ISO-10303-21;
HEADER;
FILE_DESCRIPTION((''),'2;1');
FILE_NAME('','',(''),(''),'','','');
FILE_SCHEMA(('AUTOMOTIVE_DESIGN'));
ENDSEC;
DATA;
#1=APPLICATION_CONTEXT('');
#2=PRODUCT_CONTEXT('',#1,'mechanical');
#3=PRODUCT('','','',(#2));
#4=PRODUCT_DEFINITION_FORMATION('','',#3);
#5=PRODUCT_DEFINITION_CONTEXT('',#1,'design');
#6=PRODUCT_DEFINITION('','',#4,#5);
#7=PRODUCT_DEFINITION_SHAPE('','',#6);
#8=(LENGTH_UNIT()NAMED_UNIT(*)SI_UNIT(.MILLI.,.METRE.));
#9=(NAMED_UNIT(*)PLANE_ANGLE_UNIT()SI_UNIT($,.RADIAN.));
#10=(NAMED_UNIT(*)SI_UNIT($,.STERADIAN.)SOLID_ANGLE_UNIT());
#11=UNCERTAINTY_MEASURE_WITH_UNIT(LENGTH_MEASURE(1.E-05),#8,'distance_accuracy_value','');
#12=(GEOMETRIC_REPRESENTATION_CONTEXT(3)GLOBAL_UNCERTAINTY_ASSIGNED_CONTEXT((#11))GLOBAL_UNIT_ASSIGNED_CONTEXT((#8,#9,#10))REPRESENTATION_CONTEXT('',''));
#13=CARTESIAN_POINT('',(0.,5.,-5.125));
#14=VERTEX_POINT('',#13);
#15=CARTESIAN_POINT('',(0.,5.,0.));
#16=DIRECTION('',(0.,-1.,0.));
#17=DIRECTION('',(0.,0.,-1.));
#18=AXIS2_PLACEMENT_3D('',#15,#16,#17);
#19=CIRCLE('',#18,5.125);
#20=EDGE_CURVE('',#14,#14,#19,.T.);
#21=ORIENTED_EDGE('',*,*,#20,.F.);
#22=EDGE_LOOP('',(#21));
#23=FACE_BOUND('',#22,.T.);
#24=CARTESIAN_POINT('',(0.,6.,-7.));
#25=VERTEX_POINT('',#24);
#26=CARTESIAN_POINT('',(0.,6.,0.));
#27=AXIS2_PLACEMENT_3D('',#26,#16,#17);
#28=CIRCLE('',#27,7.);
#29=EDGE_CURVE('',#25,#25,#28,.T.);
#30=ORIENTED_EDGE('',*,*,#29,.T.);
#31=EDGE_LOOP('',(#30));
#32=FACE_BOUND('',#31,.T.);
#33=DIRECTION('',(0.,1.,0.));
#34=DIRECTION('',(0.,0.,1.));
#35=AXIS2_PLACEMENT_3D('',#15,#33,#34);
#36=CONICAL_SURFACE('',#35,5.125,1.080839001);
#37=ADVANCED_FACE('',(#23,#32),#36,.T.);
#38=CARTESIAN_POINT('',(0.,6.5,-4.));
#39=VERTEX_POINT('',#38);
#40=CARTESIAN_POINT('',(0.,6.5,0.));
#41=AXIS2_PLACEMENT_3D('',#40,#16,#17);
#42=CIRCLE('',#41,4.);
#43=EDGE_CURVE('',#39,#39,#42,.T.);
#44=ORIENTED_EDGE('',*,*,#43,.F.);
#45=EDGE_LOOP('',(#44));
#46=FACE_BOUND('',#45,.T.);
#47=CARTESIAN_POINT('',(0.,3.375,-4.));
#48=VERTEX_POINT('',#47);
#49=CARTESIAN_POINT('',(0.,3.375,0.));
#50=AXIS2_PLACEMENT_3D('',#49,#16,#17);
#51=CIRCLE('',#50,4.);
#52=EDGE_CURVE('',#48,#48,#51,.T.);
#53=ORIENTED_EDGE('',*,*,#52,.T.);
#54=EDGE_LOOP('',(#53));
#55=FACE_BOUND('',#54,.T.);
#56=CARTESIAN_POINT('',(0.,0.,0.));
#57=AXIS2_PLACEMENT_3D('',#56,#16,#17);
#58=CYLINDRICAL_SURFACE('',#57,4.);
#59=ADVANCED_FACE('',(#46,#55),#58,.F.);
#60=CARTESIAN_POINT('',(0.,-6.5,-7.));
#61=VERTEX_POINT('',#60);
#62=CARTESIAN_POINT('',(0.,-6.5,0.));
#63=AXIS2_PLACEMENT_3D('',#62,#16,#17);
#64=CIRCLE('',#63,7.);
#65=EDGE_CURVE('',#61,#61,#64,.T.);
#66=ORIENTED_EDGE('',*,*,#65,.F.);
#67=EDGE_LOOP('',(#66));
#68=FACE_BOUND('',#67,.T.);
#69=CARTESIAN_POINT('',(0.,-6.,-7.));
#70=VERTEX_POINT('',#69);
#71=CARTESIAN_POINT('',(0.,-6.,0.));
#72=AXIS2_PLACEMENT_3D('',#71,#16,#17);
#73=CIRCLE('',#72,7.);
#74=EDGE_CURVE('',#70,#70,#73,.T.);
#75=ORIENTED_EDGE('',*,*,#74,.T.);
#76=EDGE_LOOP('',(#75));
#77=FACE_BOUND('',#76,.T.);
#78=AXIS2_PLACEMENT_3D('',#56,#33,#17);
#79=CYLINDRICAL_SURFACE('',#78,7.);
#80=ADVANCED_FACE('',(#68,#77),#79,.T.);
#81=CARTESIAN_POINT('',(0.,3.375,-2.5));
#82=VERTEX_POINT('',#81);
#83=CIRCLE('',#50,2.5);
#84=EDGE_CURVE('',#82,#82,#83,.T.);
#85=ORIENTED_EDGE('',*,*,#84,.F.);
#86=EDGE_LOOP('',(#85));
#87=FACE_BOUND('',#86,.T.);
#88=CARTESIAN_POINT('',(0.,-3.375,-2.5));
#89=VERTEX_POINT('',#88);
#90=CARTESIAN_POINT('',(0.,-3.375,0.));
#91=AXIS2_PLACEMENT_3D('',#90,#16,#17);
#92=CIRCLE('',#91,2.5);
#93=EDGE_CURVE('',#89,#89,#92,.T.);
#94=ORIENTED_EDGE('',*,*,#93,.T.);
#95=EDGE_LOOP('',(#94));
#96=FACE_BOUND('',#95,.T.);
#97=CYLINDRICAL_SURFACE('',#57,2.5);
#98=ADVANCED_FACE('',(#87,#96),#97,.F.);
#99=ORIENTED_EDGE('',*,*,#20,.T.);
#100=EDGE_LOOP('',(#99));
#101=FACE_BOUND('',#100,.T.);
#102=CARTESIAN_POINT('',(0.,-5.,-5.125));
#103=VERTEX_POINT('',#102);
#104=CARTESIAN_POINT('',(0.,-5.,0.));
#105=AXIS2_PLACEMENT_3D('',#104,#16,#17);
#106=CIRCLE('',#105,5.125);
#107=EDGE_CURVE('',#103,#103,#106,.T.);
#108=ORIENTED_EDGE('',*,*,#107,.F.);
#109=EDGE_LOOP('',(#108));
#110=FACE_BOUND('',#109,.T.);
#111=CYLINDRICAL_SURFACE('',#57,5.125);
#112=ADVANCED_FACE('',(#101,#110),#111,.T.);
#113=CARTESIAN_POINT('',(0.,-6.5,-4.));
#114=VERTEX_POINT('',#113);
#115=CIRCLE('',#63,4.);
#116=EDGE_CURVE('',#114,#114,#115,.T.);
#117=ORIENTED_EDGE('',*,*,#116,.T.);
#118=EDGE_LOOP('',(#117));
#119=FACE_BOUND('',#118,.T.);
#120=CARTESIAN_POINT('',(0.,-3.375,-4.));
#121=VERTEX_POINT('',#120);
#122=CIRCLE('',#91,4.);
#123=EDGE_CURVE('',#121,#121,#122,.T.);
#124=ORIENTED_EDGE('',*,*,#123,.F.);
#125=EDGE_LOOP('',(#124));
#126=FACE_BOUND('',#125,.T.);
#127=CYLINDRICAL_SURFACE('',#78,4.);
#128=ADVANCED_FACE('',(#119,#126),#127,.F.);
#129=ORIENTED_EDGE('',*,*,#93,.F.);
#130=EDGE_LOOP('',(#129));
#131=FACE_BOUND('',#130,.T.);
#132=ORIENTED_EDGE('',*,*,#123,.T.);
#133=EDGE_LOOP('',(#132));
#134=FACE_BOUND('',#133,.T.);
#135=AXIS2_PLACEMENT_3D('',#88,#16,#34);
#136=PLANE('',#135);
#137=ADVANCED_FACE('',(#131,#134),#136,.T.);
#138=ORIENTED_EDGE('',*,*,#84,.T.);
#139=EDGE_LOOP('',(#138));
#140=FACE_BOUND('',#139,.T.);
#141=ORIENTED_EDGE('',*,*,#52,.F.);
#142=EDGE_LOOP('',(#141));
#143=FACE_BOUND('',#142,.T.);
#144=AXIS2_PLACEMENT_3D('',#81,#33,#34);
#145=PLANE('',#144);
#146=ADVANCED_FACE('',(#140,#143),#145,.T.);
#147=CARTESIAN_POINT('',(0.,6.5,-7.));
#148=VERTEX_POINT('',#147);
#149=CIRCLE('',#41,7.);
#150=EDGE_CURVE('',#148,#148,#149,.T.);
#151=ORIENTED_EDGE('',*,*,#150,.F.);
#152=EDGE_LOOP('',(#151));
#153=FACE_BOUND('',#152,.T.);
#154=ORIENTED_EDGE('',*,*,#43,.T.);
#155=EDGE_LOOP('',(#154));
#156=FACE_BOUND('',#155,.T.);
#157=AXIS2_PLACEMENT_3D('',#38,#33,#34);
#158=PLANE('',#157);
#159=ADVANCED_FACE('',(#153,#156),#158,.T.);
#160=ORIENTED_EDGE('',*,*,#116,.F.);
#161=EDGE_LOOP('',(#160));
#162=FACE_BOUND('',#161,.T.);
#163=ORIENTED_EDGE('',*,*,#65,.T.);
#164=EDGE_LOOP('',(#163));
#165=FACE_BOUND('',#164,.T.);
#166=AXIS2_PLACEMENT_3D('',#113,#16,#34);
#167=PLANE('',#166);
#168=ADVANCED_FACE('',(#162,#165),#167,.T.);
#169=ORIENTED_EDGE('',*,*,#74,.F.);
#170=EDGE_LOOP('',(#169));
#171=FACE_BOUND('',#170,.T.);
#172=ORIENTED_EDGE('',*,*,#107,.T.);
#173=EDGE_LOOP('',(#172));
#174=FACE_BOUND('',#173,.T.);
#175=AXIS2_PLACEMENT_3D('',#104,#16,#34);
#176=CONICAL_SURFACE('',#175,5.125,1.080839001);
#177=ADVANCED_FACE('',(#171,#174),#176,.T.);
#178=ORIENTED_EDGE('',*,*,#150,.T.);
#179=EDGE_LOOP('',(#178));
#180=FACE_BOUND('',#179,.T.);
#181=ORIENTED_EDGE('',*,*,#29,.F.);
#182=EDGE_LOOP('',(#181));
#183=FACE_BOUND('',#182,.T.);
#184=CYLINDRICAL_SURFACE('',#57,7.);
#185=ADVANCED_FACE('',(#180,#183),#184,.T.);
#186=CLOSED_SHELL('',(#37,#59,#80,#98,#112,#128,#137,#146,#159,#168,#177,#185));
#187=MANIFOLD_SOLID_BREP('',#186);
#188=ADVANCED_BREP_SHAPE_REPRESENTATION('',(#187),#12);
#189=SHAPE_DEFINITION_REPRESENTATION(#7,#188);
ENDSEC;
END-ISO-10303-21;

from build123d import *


with BuildPart() as part:
    # Sketch2 → Revolve1 (revolve)
    with BuildSketch(Plane(origin=(0, 0, 0), x_dir=(0, 0, -1), z_dir=(1, 0, 0))):
        Polygon((2.5, 0), (2.5, 3.375), (4, 3.375), (4, 6.5), (7, 6.5), (7, 6), (5.125, 5), (5.125, 0), align=None)
    revolve1 = revolve(axis=Axis((0, 0, 0), (0, 1, 0)))

    # Mirror1: Revolve1 across plane
    add(revolve1.mirror(Plane.ZX))


solid = part.part
